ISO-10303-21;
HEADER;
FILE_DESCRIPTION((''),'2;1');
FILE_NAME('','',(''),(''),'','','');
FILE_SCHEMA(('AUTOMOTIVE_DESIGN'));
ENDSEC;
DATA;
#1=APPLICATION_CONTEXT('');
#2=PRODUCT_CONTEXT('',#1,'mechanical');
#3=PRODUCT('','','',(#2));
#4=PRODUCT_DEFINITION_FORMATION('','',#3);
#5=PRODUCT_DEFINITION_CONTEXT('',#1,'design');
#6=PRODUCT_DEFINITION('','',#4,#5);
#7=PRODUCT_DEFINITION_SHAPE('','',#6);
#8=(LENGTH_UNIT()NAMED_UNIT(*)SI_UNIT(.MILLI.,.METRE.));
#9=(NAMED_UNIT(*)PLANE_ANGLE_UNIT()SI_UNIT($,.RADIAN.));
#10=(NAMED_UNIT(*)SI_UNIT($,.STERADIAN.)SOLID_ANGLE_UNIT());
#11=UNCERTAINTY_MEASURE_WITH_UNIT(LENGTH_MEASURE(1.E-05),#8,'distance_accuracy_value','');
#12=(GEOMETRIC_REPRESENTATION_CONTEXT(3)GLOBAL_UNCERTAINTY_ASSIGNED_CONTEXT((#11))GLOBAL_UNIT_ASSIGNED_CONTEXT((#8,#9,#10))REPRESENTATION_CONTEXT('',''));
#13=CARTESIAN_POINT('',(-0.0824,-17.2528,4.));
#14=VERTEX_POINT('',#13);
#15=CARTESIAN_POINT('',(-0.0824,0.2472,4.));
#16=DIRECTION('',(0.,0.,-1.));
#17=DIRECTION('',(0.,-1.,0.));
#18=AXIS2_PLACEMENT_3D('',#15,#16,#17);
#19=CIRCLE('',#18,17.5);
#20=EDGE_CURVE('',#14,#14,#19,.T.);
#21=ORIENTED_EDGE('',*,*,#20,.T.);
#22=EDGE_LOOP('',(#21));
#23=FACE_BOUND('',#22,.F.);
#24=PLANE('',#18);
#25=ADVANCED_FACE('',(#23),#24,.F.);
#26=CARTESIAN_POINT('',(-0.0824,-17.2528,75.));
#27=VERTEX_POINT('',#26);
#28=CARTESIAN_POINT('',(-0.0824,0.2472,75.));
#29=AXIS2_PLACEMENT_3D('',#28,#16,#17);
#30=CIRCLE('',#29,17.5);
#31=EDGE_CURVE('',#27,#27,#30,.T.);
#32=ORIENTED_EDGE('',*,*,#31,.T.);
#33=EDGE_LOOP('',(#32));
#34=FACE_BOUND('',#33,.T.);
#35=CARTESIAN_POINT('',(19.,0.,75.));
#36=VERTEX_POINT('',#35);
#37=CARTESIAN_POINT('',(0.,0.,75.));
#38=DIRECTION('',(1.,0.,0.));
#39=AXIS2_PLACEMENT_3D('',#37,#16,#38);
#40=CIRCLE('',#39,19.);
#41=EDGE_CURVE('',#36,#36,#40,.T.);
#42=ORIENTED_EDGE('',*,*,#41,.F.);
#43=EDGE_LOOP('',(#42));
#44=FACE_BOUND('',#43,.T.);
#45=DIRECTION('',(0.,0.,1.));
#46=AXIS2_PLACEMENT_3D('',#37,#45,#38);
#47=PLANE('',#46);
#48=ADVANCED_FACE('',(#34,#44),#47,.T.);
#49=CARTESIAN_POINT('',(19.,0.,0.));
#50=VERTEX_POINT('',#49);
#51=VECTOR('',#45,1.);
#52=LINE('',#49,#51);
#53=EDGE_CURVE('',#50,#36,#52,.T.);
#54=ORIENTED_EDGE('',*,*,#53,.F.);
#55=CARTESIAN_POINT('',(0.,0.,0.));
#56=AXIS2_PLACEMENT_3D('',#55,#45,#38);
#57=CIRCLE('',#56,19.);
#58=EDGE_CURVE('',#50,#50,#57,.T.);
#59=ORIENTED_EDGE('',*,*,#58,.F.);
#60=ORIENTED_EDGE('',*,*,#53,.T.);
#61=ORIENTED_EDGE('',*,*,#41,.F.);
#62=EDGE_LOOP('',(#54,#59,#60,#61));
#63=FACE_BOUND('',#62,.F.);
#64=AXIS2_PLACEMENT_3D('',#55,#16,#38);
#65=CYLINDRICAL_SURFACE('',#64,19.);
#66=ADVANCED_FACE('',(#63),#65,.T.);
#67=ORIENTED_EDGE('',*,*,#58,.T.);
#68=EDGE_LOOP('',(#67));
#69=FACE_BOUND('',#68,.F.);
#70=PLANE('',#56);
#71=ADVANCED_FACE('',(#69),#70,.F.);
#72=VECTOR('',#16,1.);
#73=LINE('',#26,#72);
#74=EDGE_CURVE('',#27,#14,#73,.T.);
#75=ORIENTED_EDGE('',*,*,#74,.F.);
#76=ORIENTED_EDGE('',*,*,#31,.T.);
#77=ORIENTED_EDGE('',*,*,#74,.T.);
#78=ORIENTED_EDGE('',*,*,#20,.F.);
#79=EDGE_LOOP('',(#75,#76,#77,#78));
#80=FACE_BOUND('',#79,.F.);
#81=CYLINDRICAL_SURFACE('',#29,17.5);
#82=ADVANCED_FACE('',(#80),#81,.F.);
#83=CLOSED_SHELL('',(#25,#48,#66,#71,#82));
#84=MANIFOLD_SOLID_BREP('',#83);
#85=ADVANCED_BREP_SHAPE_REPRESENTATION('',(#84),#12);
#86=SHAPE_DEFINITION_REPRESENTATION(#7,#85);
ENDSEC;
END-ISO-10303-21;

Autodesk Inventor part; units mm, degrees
ref_plane "YZ Plane" through (0, 0, 0) normal (1, 0, 0) x (0, 1, 0)
ref_plane "XZ Plane" through (0, 0, 0) normal (0, 1, 0) x (-1, 0, 0)
ref_plane "XY Plane" through (0, 0, 0) normal (0, 0, 1) x (1, 0, 0)
sketch "Sketch1" plane through (0, 0, 0) normal (0, 0, 1) x (1, 0, 0)
  line L0 (-26.6, 0) -> (26.6, 0) projected
  line L1 (0, -26.6) -> (0, 26.6) projected
  circle A0 centre (0, 0) radius 19
  dimension "d0" = 38
extrude "Extrusion1" add sketch "Sketch1" along normal blind 75
hole "Hole2" at (-0.0824, 0.2472, 75) direction (0, 0, -1) diameter 35 depth 71
properties part number "Inner Cup"
